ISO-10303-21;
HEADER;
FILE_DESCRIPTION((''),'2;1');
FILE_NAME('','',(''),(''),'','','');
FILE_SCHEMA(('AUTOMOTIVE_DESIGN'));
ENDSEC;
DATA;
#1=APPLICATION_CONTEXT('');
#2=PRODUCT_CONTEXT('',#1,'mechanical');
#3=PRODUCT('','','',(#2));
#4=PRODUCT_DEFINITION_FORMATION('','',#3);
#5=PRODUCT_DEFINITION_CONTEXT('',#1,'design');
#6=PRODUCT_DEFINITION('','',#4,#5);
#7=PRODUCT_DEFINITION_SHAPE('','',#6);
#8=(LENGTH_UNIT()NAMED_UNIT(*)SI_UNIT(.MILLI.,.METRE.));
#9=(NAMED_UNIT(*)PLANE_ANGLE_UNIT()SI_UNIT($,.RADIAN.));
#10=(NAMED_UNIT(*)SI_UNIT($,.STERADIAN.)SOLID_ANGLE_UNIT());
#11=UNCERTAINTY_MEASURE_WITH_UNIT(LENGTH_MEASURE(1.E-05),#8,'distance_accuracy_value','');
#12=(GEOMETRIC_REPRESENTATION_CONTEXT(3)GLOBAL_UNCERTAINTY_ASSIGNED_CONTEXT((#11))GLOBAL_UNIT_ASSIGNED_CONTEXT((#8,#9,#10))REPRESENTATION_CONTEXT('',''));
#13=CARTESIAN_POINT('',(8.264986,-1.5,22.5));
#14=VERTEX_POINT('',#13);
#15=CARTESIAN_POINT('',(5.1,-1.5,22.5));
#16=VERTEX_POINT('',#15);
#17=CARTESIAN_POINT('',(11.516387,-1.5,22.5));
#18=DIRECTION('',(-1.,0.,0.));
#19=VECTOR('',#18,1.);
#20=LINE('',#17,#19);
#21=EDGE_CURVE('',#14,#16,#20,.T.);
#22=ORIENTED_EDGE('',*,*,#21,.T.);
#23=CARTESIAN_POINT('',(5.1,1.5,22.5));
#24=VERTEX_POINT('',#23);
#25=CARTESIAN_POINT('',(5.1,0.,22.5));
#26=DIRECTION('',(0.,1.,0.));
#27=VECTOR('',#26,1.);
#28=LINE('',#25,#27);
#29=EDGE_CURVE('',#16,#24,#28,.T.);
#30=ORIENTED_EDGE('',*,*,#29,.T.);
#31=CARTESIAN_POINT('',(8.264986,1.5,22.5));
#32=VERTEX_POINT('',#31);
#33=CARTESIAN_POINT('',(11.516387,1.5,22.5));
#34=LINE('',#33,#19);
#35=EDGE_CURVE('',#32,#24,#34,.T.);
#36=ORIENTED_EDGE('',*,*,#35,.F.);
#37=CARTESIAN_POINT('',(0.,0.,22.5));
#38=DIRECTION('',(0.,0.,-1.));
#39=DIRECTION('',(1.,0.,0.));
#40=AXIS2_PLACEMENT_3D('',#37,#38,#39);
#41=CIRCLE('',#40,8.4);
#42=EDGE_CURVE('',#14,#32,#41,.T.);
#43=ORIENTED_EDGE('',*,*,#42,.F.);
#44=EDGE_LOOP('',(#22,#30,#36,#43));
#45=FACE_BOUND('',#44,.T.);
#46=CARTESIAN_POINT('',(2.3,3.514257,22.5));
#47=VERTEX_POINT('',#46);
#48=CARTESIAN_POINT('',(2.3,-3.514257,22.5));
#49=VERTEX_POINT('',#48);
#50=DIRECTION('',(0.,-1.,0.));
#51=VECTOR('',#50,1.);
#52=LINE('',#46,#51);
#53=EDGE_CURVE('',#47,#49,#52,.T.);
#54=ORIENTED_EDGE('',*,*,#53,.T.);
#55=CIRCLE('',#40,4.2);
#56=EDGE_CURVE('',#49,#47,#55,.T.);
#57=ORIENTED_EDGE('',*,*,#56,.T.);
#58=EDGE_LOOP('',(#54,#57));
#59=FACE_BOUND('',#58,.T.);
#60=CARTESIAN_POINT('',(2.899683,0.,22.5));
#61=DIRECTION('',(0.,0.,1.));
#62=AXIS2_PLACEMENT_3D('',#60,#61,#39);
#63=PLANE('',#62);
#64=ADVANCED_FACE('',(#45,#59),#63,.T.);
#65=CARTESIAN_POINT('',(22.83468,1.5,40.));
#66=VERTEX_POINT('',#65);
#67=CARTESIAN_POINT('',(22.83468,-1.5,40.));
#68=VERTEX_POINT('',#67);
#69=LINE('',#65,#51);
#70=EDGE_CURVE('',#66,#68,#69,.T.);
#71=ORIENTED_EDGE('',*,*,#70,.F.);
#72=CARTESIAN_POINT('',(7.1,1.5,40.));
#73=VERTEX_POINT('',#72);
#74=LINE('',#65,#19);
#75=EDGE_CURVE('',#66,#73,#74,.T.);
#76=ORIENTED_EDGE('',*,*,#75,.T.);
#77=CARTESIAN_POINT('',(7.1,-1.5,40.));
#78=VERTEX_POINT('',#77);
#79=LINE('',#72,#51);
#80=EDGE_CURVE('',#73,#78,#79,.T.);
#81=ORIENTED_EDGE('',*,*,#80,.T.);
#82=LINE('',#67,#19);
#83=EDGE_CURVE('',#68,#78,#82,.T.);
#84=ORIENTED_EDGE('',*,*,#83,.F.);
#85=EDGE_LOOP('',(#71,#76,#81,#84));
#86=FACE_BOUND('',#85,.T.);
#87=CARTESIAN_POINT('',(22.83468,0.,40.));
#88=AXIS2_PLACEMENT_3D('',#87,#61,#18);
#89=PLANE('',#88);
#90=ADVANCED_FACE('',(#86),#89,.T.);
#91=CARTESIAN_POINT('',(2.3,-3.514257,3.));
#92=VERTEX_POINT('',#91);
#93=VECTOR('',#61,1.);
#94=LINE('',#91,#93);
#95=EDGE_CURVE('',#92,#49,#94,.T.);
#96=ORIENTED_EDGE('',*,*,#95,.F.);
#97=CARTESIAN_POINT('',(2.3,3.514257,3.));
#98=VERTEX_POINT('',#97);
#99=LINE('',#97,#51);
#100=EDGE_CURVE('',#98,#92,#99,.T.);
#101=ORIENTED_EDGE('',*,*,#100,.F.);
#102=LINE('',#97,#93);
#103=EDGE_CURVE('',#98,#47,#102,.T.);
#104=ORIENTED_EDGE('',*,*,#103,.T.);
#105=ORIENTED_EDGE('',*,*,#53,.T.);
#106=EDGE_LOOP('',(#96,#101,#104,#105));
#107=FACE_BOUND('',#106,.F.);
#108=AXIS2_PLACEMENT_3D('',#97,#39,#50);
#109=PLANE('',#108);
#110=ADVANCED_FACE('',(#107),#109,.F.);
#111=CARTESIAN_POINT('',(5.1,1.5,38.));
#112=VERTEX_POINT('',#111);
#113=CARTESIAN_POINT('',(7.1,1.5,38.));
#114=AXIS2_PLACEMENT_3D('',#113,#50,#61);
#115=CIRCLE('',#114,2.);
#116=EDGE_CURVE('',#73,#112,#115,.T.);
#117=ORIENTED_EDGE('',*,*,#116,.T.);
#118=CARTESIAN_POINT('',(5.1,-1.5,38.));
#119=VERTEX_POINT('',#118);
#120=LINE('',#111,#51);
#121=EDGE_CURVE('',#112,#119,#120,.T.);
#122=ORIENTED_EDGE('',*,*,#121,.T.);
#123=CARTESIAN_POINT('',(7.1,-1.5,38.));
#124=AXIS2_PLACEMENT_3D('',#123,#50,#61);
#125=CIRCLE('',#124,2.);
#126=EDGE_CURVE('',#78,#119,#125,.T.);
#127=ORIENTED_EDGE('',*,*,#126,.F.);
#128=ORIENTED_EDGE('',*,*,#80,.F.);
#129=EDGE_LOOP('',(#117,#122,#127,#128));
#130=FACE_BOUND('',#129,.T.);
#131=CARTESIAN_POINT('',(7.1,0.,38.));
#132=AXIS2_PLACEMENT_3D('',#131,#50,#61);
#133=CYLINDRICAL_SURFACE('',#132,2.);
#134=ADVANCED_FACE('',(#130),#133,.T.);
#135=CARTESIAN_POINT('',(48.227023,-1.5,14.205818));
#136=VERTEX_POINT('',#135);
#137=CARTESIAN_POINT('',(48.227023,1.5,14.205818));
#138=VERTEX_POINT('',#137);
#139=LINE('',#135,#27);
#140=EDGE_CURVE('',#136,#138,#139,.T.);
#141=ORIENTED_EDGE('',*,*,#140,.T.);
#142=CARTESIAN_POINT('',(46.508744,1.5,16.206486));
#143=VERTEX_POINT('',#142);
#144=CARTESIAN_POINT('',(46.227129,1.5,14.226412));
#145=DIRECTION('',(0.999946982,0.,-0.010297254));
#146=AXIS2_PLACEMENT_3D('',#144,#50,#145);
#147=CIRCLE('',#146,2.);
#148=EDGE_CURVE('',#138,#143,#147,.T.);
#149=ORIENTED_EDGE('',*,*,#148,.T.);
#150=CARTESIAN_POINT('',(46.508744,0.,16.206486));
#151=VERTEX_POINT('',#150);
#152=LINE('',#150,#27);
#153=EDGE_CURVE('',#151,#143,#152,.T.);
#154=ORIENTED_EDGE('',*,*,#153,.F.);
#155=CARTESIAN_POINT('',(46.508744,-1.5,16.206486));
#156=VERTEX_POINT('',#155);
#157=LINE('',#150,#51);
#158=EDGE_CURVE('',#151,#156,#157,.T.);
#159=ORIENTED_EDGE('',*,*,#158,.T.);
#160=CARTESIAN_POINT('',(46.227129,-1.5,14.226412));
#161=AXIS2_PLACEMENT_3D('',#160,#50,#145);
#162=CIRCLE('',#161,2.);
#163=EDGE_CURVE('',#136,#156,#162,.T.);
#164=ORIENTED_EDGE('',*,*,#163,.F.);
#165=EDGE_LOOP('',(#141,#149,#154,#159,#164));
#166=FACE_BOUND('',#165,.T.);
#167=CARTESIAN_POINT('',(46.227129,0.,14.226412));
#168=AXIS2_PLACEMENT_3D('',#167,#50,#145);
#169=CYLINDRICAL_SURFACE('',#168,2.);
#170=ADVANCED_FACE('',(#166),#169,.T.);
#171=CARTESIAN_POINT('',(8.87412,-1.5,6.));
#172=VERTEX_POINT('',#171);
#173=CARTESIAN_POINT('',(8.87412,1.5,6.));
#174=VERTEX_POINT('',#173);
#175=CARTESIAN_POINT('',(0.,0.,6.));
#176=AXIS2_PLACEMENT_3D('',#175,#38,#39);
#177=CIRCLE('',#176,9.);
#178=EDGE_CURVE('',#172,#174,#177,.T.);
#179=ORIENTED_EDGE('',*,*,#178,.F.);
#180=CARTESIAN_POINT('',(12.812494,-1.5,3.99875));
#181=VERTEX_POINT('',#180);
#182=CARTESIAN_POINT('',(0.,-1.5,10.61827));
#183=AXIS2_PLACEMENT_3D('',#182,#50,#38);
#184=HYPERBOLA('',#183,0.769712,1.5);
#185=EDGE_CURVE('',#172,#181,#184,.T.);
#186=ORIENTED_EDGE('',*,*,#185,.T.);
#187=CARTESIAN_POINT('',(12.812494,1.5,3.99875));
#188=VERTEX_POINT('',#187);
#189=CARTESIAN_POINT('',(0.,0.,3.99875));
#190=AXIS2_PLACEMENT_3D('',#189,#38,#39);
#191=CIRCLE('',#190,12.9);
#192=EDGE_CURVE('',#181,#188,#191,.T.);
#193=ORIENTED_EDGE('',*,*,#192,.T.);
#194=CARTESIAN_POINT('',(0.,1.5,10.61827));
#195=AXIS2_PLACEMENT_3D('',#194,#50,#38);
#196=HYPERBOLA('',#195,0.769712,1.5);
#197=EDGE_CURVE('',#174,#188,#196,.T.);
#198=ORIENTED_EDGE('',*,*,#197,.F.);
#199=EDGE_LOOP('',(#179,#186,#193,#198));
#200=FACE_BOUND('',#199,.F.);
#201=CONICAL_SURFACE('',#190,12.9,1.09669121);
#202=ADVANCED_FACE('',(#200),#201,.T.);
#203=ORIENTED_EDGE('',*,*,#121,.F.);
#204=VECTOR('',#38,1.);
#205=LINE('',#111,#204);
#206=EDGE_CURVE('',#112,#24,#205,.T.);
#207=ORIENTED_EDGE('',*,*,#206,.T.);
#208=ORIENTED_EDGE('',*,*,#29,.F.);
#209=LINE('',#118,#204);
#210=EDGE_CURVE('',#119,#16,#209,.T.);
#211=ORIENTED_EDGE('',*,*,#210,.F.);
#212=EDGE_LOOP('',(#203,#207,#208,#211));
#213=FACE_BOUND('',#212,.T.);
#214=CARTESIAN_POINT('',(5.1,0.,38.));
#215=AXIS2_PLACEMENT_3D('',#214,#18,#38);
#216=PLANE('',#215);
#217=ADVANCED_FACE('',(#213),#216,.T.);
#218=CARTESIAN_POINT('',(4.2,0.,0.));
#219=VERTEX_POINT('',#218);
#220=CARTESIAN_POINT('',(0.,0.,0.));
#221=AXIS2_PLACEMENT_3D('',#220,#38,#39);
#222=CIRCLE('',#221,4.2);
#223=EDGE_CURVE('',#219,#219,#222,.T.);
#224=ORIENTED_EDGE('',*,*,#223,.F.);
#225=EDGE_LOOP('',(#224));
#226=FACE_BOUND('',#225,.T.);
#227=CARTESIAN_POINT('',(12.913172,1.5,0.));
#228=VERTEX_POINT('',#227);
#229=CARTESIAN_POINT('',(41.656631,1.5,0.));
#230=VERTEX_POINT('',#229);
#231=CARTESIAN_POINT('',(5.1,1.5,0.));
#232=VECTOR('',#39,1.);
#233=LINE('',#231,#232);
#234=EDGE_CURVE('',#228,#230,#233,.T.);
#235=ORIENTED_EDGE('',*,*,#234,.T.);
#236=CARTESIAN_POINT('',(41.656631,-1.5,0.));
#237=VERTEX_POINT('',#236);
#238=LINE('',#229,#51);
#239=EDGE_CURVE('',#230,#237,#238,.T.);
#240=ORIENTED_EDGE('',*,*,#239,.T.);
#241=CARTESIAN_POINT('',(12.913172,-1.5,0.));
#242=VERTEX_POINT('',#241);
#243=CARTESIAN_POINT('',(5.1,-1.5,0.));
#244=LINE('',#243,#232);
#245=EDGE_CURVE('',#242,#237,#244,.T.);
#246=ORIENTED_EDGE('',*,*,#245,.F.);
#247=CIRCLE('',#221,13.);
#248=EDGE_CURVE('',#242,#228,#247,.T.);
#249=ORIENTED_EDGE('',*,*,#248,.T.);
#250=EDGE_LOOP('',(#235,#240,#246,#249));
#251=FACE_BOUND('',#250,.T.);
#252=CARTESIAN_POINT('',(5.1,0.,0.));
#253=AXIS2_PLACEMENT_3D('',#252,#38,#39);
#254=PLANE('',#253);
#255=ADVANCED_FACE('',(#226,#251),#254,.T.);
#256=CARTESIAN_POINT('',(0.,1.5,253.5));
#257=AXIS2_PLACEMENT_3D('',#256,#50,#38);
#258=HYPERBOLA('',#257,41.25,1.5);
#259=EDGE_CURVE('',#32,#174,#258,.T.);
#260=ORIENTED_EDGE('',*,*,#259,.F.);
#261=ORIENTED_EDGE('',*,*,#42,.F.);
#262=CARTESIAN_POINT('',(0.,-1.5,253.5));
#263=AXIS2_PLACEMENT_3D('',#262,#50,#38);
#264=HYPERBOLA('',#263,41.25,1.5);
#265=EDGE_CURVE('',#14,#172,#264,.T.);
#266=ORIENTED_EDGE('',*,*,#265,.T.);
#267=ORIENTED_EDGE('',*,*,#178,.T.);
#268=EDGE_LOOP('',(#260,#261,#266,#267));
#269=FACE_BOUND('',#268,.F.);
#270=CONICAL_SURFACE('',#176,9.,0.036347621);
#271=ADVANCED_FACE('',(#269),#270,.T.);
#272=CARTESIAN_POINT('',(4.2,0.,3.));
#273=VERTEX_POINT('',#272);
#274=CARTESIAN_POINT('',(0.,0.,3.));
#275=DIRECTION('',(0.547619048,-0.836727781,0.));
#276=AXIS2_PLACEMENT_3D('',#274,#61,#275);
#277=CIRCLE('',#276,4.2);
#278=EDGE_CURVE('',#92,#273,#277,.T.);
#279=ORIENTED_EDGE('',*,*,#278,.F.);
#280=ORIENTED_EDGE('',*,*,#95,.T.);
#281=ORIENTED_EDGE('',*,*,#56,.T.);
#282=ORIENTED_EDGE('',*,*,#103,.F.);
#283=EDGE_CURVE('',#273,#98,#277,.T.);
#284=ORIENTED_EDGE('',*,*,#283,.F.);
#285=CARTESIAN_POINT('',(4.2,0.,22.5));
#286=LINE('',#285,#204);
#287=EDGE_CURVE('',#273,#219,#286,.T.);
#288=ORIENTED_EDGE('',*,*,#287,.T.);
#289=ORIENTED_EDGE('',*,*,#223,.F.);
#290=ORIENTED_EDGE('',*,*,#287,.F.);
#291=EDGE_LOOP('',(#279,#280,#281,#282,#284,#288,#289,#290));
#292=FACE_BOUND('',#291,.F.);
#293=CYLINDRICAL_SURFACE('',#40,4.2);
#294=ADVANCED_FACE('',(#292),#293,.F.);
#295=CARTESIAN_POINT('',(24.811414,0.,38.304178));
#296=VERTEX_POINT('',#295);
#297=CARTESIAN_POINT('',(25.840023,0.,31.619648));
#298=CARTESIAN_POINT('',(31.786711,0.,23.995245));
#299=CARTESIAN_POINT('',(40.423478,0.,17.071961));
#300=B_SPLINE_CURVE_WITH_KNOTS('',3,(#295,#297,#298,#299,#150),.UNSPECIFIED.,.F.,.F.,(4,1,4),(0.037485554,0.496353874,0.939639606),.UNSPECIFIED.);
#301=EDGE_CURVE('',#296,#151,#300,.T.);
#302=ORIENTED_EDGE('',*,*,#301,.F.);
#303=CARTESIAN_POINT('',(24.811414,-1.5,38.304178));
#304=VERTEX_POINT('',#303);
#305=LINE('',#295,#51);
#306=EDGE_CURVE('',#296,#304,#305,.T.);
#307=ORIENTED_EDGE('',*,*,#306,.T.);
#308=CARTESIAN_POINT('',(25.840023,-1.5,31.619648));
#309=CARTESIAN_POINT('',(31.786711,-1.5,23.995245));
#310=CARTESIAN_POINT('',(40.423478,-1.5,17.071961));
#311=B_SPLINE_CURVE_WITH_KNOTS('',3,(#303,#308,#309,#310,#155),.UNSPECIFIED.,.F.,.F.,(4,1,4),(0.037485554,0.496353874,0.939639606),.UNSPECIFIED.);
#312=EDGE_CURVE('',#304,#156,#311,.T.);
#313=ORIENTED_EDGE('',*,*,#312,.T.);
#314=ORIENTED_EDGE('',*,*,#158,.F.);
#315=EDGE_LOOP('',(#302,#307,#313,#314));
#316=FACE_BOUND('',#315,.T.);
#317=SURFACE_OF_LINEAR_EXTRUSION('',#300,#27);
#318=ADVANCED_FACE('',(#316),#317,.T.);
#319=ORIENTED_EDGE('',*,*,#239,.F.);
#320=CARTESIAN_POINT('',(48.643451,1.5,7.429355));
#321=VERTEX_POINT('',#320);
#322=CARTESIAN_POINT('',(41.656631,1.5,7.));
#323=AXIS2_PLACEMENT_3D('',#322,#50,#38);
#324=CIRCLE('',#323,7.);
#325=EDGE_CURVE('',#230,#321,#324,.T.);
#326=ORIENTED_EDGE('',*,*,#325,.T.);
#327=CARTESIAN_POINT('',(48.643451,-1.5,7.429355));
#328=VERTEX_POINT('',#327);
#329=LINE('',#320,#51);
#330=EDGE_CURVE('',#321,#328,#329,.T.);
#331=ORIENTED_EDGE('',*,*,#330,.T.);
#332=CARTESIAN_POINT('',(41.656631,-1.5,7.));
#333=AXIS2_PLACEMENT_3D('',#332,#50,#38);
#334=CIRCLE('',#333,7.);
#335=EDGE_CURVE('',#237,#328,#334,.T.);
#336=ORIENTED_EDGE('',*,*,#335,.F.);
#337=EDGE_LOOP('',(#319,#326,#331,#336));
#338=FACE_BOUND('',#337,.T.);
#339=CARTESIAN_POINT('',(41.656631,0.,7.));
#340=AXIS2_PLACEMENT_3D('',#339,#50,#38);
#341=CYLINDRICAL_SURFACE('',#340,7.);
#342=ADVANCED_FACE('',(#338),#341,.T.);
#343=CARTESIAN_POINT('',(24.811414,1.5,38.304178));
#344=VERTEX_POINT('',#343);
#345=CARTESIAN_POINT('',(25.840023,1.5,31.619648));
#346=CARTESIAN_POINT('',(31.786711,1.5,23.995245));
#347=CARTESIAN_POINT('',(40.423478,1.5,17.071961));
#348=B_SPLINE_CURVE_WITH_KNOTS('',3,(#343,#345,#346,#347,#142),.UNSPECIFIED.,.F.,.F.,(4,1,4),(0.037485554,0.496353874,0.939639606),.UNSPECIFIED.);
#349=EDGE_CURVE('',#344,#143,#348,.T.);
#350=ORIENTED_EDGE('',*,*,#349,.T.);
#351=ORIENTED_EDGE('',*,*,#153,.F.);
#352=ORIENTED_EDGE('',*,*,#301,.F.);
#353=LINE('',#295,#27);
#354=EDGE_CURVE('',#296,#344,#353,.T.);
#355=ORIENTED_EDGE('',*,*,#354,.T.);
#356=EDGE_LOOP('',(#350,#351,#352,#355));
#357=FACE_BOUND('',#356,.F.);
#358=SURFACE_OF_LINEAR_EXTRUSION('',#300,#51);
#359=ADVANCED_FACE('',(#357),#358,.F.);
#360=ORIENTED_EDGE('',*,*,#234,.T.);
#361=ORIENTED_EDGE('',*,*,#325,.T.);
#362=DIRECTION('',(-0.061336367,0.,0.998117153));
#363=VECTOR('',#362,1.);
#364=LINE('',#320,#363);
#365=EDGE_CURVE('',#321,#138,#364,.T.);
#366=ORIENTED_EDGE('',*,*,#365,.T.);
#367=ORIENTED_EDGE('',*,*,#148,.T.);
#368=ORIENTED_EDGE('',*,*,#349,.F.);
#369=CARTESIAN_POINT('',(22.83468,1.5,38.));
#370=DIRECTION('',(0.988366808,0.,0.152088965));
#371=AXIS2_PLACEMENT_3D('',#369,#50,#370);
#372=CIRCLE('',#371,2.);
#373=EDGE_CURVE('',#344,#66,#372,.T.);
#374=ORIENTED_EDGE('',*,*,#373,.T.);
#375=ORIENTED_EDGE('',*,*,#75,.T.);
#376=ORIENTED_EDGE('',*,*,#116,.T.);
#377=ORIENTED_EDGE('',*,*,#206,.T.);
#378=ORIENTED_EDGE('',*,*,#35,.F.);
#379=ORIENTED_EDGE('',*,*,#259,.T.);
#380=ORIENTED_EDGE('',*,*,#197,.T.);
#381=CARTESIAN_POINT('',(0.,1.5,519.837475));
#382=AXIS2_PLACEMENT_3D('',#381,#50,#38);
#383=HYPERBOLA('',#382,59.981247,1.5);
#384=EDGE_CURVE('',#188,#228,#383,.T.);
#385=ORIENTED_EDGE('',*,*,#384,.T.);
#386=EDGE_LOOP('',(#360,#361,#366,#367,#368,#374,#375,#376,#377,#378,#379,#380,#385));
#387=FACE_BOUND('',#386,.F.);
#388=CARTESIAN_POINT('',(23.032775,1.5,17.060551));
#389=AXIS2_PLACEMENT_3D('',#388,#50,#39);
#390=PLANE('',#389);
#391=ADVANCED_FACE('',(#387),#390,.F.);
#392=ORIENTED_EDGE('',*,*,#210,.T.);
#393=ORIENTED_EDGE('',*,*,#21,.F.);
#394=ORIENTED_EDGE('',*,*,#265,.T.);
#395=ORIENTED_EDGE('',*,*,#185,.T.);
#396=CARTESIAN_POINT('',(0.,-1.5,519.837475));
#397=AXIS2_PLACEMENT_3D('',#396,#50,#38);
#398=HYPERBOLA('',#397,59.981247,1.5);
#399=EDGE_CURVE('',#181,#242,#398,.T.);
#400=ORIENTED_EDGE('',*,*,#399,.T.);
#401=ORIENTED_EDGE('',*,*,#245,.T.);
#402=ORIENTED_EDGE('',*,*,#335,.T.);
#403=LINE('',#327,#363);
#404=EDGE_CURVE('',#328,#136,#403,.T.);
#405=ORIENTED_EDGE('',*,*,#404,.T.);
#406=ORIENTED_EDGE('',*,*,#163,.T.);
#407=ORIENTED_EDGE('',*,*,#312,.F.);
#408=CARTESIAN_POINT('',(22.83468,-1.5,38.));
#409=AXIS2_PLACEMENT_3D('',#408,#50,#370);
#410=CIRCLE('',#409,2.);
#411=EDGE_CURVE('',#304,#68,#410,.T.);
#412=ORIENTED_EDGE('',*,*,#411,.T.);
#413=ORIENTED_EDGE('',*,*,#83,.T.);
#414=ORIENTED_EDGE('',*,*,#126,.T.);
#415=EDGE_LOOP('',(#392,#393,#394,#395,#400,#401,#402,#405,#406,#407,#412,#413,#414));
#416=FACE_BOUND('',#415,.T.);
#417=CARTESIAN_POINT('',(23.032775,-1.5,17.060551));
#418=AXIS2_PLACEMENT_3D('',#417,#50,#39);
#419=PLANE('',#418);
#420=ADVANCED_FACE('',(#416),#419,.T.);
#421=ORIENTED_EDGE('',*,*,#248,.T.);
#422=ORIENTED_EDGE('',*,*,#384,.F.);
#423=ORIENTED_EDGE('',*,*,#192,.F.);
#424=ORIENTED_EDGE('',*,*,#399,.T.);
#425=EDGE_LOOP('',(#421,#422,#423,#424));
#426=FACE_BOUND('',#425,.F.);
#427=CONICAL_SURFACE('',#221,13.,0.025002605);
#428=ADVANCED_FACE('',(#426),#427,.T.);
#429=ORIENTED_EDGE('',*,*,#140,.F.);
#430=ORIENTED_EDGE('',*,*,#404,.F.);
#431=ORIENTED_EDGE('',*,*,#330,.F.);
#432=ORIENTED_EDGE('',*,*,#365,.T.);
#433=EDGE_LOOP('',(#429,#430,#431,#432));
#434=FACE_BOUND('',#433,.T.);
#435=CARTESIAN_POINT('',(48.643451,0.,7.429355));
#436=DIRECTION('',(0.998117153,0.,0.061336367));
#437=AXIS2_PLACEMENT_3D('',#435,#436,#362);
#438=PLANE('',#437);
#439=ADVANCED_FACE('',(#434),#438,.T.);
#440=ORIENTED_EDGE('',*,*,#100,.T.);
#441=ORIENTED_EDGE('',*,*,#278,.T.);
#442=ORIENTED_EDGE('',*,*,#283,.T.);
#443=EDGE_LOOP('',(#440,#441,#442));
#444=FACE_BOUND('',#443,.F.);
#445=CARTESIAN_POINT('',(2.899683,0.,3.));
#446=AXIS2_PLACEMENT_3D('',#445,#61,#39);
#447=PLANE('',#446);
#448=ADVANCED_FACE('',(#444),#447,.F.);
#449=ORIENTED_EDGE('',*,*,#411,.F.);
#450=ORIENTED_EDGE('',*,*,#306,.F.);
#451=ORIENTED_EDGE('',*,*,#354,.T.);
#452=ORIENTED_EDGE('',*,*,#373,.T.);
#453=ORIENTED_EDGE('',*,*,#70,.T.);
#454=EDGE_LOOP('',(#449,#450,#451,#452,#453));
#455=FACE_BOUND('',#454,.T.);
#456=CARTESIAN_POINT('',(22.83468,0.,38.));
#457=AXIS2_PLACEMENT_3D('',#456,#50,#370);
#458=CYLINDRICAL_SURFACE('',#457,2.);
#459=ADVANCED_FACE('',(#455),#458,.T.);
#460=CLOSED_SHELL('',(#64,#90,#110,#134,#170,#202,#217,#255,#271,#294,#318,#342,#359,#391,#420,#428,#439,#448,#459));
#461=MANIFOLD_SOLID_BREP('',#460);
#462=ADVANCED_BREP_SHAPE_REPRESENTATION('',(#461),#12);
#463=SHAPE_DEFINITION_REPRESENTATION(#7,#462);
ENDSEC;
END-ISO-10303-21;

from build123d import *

# Parameters (mm, degrees)
F3_DEPTH = 1.5
F6_DEPTH = 19.5


with BuildPart() as f1:
    # F0 (on Front) → F1 (revolve)
    with BuildSketch(Plane.XZ):
        Polygon((4.2, 22.5), (4.2, 0), (13, 0), (12.9, 3.9987498046), (9, 6), (8.4, 22.5), align=None)
    revolve(axis=Axis((0, 0, 11.0757909857), (0, 0, -1)))

    # F2 (on Front) → F3 (join, symmetric)
    with BuildSketch(Plane.XZ):
        with BuildLine():
            ThreePointArc((24.8114139417, 38.3041779305), (24.1369176585, 39.5179518867), (22.8346803262, 40))
            Line((22.8346803262, 40), (7.1, 40))
            ThreePointArc((7.1, 40), (5.6857864376, 39.4142135624), (5.1, 38))
            Line((5.1, 38), (5.1, 0))
            Line((5.1, 0), (41.6566307042, 0))
            ThreePointArc((41.6566307042, 0), (46.7559189862, 2.2044542524), (48.6434507718, 7.4293545666))
            Line((48.6434507718, 7.4293545666), (48.2270230711, 14.2058177569))
            ThreePointArc((48.2270230711, 14.2058177569), (47.7443600045, 15.5294895472), (46.5087443093, 16.2064862223))
            add(Edge.make_bspline(
                [(24.8114139417, 38.3041779305), (25.8400232101, 31.6196478767), (31.7867109711, 23.9952449135), (40.4234775152, 17.0719607824), (46.5087443093, 16.2064862223)],
                knots=[0.037485554, 0.037485554, 0.037485554, 0.037485554, 0.4963538741, 0.9396396059, 0.9396396059, 0.9396396059, 0.9396396059], degree=3))
        make_face()
    extrude(amount=F3_DEPTH, both=True)

    # F5 (on offset) → F6 (join)
    with BuildSketch(Plane.XY.offset(3)):
        with BuildLine():
            Line((2.3, 3.5142566782), (2.3, -3.5142566782))
            ThreePointArc((2.3, -3.5142566782), (4.2, 0), (2.3, 3.5142566782))
        make_face()
    extrude(amount=F6_DEPTH)


solid = f1.part
